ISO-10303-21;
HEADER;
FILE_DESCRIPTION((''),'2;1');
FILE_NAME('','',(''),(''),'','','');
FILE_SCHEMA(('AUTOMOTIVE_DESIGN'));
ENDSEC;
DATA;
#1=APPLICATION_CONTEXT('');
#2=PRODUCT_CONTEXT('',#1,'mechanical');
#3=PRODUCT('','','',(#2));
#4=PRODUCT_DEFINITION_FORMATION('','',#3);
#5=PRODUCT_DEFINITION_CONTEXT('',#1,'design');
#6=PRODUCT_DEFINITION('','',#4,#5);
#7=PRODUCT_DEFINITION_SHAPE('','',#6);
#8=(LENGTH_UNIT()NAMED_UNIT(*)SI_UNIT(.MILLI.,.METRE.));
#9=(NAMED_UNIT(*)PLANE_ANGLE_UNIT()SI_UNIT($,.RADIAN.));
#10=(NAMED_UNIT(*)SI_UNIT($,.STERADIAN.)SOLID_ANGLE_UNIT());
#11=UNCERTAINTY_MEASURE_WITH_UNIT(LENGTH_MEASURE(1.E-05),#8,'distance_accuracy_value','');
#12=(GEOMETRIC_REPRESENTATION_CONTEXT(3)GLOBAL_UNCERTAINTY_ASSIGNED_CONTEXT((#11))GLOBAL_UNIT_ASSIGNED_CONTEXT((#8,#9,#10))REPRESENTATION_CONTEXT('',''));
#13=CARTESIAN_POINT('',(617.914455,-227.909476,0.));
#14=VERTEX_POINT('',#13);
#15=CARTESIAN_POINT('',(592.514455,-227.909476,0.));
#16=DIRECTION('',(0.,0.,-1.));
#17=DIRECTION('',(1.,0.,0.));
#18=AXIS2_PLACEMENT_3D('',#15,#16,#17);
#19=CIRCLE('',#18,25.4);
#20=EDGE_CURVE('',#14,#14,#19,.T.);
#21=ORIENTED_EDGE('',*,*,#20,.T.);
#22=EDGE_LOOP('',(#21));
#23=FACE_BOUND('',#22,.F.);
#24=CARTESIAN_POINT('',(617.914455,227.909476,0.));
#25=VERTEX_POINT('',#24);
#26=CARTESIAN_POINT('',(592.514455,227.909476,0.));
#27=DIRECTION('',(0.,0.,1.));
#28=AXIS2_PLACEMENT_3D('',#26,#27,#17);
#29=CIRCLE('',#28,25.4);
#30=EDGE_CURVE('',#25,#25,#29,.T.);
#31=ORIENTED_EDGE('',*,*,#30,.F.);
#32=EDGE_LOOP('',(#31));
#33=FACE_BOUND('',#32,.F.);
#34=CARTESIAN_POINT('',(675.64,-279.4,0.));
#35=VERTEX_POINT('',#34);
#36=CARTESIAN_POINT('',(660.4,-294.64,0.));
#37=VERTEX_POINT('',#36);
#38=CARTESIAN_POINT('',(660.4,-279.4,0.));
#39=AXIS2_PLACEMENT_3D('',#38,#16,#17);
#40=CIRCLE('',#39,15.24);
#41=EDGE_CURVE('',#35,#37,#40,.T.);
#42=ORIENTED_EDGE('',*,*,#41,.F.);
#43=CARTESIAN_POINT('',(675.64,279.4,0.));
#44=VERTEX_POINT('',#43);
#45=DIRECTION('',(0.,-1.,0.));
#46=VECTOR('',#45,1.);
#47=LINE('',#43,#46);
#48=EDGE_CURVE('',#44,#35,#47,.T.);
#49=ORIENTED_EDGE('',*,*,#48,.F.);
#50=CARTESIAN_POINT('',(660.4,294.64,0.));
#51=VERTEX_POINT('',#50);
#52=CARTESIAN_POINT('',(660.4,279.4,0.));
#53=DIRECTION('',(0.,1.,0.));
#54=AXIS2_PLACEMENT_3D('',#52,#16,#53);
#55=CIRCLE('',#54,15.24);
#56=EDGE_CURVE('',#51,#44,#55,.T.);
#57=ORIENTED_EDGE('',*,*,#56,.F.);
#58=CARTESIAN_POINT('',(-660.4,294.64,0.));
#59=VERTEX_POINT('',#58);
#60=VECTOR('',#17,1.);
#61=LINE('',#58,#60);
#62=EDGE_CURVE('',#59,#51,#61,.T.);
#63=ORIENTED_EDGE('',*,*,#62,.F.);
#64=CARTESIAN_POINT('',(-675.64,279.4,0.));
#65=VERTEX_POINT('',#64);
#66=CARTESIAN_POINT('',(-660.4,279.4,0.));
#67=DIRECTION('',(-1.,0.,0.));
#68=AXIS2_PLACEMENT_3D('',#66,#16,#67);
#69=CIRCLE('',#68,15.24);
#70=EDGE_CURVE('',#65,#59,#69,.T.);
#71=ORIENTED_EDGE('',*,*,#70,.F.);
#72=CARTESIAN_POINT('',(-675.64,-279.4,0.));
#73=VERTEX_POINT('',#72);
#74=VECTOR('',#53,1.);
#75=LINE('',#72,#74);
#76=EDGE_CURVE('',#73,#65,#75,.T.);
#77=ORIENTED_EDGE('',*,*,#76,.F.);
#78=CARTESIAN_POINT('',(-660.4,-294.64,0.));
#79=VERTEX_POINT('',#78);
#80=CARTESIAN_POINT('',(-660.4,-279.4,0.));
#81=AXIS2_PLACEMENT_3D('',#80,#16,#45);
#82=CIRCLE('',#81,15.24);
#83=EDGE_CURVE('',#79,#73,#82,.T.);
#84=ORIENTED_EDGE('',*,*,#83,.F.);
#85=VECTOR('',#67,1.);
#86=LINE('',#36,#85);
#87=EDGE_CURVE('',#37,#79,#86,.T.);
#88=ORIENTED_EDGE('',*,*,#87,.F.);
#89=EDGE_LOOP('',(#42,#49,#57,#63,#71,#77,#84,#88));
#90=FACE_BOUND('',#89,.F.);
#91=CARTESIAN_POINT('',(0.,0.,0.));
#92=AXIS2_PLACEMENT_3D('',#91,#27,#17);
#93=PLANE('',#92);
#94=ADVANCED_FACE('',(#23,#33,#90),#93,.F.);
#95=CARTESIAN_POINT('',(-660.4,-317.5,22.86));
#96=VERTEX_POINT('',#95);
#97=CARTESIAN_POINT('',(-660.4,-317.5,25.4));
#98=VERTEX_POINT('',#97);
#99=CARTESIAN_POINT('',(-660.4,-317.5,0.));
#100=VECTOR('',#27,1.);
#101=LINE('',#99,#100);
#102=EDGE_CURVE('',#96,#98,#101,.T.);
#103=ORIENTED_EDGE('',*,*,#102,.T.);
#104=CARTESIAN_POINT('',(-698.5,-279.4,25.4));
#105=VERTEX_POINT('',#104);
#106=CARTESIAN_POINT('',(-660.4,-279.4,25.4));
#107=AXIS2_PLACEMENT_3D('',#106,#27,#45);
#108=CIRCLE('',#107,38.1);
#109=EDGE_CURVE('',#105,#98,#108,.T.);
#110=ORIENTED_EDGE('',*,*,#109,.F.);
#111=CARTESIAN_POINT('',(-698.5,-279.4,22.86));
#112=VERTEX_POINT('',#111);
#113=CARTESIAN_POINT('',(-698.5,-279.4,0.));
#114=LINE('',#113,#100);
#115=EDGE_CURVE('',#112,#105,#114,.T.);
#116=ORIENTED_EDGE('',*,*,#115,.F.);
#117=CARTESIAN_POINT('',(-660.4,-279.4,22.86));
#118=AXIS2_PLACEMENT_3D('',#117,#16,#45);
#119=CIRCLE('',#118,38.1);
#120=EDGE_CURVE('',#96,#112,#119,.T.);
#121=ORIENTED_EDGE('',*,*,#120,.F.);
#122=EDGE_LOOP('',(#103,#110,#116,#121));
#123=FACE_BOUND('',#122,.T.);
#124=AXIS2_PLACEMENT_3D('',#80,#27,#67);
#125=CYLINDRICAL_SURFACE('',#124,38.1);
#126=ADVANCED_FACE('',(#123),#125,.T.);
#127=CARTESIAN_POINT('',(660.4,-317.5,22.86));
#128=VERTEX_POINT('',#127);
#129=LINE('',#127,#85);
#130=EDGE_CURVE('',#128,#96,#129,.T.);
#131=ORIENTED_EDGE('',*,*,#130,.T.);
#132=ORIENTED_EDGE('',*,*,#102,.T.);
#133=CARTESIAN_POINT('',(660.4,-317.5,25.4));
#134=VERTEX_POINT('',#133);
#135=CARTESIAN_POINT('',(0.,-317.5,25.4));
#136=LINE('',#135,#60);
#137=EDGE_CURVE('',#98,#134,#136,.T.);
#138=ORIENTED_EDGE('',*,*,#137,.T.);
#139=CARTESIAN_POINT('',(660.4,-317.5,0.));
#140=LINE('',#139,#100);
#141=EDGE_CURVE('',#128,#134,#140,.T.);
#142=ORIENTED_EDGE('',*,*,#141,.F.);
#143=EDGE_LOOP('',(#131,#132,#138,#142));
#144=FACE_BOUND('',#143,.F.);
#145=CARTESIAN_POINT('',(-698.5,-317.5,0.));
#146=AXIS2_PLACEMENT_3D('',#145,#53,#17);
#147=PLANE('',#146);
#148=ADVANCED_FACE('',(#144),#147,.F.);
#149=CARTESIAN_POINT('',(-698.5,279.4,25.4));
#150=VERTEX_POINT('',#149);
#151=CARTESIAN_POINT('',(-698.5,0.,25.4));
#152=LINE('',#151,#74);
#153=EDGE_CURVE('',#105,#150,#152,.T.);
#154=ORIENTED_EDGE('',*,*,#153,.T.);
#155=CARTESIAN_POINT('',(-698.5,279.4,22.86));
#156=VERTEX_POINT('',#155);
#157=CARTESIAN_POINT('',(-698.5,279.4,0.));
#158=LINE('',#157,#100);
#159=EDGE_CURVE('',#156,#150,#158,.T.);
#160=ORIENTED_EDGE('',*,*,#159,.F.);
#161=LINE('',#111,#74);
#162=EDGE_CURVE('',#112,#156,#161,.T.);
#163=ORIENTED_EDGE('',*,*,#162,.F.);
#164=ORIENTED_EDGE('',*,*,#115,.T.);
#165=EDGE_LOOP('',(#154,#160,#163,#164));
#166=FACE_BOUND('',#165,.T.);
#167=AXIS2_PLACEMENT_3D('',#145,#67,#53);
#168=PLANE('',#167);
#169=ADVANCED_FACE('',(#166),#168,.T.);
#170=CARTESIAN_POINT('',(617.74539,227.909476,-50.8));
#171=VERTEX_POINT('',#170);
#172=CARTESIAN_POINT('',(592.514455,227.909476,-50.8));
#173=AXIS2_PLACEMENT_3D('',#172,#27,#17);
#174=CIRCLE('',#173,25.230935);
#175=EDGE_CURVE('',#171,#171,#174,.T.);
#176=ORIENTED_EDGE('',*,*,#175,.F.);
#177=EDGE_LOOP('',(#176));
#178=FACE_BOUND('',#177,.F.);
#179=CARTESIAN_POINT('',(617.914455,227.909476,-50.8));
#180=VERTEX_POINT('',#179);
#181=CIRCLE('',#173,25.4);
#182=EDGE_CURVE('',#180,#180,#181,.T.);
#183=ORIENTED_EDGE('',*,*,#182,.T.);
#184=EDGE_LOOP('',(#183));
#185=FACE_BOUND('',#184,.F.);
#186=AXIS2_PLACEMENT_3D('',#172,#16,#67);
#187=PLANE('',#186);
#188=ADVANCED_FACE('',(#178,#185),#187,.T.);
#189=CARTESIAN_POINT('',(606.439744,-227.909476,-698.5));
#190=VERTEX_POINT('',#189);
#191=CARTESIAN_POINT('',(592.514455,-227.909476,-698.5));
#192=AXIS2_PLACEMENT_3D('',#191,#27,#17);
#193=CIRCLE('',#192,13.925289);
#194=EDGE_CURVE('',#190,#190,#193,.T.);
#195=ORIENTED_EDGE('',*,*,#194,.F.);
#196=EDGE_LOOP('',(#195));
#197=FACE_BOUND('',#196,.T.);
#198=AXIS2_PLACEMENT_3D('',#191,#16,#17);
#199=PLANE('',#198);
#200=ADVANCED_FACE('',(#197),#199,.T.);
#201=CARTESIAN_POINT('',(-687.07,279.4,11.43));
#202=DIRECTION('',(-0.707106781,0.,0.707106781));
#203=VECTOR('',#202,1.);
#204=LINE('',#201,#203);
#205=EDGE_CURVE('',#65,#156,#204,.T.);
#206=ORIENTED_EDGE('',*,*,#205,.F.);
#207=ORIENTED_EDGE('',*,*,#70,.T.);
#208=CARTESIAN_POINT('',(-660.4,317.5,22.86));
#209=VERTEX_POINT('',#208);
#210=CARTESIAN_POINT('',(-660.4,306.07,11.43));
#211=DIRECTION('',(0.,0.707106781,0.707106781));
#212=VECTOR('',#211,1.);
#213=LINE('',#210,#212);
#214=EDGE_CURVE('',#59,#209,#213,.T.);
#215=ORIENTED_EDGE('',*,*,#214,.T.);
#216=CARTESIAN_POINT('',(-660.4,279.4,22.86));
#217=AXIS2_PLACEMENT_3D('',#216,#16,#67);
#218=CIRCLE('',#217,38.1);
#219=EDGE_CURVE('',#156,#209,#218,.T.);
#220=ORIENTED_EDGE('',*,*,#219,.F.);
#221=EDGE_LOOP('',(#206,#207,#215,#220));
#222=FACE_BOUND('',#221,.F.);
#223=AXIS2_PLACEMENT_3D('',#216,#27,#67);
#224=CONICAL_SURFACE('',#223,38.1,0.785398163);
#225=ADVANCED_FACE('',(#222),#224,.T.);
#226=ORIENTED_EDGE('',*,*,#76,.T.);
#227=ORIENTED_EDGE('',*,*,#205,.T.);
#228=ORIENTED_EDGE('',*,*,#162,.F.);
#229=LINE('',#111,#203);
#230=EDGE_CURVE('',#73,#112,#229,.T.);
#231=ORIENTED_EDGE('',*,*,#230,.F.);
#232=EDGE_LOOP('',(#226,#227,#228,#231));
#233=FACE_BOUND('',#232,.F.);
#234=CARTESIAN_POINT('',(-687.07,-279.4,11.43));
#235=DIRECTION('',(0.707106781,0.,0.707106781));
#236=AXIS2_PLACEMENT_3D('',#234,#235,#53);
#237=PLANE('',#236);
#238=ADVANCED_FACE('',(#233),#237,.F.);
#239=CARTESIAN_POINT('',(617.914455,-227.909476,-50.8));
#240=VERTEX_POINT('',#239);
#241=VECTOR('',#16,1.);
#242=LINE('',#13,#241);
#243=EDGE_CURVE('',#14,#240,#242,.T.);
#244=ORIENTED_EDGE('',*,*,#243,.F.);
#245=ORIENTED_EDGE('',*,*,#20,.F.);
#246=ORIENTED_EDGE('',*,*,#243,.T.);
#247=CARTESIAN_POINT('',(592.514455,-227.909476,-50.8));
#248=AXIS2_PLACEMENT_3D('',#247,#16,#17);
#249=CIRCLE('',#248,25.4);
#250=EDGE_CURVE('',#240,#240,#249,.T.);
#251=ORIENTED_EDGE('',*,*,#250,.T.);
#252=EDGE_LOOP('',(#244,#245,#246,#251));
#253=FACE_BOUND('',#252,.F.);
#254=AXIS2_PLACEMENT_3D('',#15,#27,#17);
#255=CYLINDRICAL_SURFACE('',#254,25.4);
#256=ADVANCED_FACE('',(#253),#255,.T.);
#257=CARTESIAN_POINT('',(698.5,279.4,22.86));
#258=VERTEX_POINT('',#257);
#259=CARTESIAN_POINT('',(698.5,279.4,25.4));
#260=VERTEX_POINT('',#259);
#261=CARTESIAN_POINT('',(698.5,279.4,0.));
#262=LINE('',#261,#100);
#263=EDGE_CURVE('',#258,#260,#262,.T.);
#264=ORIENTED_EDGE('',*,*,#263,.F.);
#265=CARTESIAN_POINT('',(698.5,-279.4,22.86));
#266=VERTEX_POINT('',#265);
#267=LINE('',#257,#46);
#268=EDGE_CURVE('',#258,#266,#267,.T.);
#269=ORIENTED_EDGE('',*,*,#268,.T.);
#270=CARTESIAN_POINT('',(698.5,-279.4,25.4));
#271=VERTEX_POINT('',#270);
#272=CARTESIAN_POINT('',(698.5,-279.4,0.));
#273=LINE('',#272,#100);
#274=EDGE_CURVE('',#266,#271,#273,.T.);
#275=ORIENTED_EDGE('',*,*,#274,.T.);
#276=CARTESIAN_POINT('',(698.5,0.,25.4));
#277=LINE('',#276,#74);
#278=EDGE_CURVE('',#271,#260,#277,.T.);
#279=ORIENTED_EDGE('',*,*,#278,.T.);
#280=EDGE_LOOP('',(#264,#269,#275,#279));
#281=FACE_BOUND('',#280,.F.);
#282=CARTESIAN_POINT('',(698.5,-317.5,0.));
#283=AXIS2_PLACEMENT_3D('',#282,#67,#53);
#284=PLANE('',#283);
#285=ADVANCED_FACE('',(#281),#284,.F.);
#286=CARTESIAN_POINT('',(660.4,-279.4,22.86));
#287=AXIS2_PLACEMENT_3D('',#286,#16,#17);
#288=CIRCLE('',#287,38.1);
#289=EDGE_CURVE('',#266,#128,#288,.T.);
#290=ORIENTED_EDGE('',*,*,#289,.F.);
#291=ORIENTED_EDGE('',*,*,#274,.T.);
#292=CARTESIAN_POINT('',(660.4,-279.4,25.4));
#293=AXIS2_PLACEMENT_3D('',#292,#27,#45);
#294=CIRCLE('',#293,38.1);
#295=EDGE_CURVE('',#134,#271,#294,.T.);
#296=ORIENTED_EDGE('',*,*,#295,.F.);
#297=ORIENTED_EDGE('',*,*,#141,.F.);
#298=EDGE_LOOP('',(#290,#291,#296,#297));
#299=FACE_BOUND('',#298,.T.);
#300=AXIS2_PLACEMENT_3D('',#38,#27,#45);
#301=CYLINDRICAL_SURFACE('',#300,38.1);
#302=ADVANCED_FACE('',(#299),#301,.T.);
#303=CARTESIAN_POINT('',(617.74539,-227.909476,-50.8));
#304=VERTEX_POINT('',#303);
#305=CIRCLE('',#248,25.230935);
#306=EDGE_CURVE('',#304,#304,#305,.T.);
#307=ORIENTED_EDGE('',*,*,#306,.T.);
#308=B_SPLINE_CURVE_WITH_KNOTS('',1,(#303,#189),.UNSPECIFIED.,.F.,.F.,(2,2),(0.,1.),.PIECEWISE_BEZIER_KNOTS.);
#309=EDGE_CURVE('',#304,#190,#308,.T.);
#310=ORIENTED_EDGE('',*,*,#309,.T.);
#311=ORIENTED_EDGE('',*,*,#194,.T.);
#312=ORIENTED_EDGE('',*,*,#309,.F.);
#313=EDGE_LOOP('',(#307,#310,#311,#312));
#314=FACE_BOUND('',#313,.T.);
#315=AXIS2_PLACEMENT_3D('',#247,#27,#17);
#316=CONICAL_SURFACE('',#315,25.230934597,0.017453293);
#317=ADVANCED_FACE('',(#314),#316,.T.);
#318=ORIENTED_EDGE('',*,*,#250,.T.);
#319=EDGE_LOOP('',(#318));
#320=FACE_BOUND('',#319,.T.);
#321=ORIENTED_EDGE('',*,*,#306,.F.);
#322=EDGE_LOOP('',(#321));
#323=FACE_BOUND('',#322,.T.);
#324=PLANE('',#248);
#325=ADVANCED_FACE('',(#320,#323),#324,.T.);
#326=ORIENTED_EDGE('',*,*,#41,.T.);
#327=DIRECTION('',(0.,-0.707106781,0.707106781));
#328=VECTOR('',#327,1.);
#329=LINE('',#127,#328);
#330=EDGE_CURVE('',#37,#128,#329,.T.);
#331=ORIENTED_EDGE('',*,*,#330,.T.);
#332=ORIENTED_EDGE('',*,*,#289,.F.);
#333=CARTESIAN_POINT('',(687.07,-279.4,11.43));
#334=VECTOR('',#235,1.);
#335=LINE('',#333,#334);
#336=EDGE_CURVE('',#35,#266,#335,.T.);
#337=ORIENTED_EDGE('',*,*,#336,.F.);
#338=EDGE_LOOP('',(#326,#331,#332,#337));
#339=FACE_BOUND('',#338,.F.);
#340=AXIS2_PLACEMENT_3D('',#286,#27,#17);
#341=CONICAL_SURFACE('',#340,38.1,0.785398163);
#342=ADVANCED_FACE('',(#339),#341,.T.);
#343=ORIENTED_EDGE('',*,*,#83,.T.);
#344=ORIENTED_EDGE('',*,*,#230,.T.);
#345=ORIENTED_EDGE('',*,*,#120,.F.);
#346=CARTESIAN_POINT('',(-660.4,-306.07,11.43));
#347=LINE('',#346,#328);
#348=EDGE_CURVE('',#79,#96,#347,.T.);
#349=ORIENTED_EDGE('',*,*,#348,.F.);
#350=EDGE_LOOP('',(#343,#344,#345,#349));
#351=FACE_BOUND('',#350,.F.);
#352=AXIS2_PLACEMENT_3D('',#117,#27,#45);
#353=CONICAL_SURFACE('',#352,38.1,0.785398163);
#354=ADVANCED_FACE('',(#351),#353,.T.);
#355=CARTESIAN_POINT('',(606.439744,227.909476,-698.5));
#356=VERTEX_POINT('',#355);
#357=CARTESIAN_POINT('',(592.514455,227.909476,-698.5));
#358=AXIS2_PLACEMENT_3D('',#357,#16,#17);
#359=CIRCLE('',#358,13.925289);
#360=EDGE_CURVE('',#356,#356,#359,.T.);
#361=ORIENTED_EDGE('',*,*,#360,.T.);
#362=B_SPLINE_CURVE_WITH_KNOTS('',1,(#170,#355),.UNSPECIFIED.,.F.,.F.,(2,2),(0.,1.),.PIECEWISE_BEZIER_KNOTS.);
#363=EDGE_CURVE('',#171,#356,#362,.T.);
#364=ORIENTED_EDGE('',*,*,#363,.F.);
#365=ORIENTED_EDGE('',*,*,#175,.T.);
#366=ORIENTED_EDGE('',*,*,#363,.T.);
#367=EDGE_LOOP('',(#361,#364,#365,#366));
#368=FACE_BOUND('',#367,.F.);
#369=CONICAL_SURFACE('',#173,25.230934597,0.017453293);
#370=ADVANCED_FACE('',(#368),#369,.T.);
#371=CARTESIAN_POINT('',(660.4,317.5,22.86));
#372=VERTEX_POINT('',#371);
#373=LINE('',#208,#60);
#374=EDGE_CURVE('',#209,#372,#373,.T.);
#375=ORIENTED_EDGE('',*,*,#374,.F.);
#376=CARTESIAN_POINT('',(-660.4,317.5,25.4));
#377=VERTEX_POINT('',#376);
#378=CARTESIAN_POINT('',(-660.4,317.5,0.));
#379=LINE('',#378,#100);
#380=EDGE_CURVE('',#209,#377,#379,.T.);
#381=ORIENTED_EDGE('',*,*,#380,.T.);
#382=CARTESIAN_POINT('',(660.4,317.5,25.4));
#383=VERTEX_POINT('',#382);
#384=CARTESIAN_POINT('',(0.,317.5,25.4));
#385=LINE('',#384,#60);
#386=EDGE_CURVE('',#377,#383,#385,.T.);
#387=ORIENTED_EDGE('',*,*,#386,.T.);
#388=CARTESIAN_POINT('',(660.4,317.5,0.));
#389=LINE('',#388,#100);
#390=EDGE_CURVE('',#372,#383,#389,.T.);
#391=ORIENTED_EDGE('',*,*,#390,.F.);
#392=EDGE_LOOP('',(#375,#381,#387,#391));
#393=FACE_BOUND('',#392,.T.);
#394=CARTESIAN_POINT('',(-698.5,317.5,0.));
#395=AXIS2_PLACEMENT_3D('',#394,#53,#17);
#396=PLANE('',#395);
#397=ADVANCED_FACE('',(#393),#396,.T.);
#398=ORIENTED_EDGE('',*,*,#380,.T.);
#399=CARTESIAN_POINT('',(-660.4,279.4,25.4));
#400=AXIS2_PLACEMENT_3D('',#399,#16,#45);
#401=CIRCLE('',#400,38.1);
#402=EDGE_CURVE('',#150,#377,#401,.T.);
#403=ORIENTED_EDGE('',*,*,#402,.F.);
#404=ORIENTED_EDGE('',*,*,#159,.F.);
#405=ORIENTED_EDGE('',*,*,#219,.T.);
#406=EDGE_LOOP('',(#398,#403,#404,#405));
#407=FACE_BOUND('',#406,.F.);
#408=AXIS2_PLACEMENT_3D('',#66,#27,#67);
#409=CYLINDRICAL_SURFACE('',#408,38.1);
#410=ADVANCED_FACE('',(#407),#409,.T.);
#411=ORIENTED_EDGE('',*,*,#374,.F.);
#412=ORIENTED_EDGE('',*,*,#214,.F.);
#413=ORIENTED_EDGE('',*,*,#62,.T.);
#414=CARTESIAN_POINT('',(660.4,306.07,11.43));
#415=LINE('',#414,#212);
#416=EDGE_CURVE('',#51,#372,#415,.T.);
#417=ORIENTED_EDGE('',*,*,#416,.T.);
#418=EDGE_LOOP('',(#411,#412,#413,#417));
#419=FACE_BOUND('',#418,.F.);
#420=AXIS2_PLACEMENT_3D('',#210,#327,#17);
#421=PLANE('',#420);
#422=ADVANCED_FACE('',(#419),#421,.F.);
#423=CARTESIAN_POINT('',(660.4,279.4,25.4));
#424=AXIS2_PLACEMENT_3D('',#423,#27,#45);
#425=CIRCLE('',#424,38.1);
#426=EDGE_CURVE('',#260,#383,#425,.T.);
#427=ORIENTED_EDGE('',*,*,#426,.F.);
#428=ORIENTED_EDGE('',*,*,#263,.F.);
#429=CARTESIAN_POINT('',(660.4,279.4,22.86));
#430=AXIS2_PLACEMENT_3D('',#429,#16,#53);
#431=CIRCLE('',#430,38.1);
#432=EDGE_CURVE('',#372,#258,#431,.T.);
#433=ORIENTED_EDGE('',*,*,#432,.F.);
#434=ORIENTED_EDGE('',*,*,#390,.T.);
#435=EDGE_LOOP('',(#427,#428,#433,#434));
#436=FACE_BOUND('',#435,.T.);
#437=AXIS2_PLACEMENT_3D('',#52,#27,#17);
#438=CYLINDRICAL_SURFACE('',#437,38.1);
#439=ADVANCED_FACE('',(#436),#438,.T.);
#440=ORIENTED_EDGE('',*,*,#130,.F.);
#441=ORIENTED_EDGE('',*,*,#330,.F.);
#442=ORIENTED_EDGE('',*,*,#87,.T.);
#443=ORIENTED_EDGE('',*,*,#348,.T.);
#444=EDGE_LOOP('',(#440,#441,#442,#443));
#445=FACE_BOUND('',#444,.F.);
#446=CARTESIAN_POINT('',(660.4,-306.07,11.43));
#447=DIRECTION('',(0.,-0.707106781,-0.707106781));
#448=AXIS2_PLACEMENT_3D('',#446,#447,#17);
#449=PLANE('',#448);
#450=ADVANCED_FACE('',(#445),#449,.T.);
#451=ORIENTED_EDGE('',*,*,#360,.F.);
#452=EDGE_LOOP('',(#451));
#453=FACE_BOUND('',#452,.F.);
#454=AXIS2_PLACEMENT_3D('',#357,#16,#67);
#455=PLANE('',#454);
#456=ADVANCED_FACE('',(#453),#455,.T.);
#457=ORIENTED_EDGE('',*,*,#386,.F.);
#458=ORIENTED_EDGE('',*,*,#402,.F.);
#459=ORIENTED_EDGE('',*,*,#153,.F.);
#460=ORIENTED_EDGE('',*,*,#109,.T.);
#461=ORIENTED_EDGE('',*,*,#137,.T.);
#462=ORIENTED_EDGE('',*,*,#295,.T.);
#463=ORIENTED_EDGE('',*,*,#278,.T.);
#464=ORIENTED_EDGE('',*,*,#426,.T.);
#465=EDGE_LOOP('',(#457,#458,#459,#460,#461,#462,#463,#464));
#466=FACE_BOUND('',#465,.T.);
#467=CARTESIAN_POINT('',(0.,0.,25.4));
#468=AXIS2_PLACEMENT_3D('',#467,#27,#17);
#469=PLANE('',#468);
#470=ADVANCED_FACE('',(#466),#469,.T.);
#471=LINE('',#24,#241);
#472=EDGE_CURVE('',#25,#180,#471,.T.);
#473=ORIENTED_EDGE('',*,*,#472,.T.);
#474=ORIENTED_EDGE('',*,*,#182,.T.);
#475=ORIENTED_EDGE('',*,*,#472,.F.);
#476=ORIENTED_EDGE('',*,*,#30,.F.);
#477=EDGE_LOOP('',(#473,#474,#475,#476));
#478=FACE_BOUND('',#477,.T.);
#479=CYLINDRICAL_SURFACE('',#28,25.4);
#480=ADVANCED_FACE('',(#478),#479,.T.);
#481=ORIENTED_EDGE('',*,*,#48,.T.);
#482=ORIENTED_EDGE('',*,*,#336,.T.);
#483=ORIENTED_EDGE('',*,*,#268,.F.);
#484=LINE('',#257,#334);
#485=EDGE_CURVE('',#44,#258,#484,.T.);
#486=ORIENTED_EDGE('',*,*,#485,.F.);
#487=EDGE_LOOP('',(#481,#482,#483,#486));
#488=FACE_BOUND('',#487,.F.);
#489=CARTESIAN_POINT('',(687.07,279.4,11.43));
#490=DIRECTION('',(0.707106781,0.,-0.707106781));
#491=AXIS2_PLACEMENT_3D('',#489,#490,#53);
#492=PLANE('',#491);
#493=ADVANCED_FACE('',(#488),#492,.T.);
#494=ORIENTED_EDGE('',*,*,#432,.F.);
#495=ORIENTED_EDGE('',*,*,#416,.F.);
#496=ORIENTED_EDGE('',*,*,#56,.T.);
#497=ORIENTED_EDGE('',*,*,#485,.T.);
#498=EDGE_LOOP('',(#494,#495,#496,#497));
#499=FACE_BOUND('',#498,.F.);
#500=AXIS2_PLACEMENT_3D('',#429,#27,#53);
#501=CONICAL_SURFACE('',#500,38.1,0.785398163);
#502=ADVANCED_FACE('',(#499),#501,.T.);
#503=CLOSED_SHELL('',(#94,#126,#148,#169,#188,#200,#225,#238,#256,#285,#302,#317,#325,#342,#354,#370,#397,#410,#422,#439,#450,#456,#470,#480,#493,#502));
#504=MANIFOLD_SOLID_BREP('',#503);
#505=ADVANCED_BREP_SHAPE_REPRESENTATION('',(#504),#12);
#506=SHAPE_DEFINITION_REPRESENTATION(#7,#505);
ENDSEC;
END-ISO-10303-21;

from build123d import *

# Parameters (mm, degrees)
F0_W     = 1397
F0_H     = 635
F1_DEPTH = 25.4
F2_R     = 38.1
F3_SIZE  = 22.86
F4_R     = 25.4
F5_DEPTH = 50.8
F6_R     = 25.2309345974
F7_DEPTH = 647.7
F7_TAPER = 1


with BuildPart() as f1:
    # F0 (on Top) → F1 (new body)
    with BuildSketch(Plane.XY):
        Rectangle(F0_W, F0_H)
    extrude(amount=F1_DEPTH)

    # F2
    f2_edges = [f1.edges().sort_by_distance(p)[0] for p in [
        (-698.5, -317.5, 12.7),
        (698.5, -317.5, 12.7),
        (698.5, 317.5, 12.7),
        (-698.5, 317.5, 12.7),
    ]]
    fillet(f2_edges, radius=F2_R)

    # F3
    f3_edges = [f1.edges().sort_by_distance(p)[0] for p in [
        (0, 317.5, 0),
    ]]
    chamfer(f3_edges, length=F3_SIZE)

    # F4 (on face) → F5 (join)
    with BuildSketch(Plane(origin=(0, 0, 0), x_dir=(1, 0, 0), z_dir=(0, 0, -1))):
        with Locations((592.5144553185, 227.909475565)):
            Circle(F4_R)
    extrude(amount=F5_DEPTH)

    # F6 (on face) → F7 (join)
    with BuildSketch(Plane(origin=(0, 0, -50.8), x_dir=(1, 0, 0), z_dir=(0, 0, -1))):
        with Locations((592.5144553185, 227.909475565)):
            Circle(F6_R)
    extrude(amount=F7_DEPTH, taper=F7_TAPER)

    # F8: F1 across plane


with BuildPart() as f1_1:
    add(f1.part)
    add(f1.part.mirror(Plane.XZ))


solid = f1_1.part
